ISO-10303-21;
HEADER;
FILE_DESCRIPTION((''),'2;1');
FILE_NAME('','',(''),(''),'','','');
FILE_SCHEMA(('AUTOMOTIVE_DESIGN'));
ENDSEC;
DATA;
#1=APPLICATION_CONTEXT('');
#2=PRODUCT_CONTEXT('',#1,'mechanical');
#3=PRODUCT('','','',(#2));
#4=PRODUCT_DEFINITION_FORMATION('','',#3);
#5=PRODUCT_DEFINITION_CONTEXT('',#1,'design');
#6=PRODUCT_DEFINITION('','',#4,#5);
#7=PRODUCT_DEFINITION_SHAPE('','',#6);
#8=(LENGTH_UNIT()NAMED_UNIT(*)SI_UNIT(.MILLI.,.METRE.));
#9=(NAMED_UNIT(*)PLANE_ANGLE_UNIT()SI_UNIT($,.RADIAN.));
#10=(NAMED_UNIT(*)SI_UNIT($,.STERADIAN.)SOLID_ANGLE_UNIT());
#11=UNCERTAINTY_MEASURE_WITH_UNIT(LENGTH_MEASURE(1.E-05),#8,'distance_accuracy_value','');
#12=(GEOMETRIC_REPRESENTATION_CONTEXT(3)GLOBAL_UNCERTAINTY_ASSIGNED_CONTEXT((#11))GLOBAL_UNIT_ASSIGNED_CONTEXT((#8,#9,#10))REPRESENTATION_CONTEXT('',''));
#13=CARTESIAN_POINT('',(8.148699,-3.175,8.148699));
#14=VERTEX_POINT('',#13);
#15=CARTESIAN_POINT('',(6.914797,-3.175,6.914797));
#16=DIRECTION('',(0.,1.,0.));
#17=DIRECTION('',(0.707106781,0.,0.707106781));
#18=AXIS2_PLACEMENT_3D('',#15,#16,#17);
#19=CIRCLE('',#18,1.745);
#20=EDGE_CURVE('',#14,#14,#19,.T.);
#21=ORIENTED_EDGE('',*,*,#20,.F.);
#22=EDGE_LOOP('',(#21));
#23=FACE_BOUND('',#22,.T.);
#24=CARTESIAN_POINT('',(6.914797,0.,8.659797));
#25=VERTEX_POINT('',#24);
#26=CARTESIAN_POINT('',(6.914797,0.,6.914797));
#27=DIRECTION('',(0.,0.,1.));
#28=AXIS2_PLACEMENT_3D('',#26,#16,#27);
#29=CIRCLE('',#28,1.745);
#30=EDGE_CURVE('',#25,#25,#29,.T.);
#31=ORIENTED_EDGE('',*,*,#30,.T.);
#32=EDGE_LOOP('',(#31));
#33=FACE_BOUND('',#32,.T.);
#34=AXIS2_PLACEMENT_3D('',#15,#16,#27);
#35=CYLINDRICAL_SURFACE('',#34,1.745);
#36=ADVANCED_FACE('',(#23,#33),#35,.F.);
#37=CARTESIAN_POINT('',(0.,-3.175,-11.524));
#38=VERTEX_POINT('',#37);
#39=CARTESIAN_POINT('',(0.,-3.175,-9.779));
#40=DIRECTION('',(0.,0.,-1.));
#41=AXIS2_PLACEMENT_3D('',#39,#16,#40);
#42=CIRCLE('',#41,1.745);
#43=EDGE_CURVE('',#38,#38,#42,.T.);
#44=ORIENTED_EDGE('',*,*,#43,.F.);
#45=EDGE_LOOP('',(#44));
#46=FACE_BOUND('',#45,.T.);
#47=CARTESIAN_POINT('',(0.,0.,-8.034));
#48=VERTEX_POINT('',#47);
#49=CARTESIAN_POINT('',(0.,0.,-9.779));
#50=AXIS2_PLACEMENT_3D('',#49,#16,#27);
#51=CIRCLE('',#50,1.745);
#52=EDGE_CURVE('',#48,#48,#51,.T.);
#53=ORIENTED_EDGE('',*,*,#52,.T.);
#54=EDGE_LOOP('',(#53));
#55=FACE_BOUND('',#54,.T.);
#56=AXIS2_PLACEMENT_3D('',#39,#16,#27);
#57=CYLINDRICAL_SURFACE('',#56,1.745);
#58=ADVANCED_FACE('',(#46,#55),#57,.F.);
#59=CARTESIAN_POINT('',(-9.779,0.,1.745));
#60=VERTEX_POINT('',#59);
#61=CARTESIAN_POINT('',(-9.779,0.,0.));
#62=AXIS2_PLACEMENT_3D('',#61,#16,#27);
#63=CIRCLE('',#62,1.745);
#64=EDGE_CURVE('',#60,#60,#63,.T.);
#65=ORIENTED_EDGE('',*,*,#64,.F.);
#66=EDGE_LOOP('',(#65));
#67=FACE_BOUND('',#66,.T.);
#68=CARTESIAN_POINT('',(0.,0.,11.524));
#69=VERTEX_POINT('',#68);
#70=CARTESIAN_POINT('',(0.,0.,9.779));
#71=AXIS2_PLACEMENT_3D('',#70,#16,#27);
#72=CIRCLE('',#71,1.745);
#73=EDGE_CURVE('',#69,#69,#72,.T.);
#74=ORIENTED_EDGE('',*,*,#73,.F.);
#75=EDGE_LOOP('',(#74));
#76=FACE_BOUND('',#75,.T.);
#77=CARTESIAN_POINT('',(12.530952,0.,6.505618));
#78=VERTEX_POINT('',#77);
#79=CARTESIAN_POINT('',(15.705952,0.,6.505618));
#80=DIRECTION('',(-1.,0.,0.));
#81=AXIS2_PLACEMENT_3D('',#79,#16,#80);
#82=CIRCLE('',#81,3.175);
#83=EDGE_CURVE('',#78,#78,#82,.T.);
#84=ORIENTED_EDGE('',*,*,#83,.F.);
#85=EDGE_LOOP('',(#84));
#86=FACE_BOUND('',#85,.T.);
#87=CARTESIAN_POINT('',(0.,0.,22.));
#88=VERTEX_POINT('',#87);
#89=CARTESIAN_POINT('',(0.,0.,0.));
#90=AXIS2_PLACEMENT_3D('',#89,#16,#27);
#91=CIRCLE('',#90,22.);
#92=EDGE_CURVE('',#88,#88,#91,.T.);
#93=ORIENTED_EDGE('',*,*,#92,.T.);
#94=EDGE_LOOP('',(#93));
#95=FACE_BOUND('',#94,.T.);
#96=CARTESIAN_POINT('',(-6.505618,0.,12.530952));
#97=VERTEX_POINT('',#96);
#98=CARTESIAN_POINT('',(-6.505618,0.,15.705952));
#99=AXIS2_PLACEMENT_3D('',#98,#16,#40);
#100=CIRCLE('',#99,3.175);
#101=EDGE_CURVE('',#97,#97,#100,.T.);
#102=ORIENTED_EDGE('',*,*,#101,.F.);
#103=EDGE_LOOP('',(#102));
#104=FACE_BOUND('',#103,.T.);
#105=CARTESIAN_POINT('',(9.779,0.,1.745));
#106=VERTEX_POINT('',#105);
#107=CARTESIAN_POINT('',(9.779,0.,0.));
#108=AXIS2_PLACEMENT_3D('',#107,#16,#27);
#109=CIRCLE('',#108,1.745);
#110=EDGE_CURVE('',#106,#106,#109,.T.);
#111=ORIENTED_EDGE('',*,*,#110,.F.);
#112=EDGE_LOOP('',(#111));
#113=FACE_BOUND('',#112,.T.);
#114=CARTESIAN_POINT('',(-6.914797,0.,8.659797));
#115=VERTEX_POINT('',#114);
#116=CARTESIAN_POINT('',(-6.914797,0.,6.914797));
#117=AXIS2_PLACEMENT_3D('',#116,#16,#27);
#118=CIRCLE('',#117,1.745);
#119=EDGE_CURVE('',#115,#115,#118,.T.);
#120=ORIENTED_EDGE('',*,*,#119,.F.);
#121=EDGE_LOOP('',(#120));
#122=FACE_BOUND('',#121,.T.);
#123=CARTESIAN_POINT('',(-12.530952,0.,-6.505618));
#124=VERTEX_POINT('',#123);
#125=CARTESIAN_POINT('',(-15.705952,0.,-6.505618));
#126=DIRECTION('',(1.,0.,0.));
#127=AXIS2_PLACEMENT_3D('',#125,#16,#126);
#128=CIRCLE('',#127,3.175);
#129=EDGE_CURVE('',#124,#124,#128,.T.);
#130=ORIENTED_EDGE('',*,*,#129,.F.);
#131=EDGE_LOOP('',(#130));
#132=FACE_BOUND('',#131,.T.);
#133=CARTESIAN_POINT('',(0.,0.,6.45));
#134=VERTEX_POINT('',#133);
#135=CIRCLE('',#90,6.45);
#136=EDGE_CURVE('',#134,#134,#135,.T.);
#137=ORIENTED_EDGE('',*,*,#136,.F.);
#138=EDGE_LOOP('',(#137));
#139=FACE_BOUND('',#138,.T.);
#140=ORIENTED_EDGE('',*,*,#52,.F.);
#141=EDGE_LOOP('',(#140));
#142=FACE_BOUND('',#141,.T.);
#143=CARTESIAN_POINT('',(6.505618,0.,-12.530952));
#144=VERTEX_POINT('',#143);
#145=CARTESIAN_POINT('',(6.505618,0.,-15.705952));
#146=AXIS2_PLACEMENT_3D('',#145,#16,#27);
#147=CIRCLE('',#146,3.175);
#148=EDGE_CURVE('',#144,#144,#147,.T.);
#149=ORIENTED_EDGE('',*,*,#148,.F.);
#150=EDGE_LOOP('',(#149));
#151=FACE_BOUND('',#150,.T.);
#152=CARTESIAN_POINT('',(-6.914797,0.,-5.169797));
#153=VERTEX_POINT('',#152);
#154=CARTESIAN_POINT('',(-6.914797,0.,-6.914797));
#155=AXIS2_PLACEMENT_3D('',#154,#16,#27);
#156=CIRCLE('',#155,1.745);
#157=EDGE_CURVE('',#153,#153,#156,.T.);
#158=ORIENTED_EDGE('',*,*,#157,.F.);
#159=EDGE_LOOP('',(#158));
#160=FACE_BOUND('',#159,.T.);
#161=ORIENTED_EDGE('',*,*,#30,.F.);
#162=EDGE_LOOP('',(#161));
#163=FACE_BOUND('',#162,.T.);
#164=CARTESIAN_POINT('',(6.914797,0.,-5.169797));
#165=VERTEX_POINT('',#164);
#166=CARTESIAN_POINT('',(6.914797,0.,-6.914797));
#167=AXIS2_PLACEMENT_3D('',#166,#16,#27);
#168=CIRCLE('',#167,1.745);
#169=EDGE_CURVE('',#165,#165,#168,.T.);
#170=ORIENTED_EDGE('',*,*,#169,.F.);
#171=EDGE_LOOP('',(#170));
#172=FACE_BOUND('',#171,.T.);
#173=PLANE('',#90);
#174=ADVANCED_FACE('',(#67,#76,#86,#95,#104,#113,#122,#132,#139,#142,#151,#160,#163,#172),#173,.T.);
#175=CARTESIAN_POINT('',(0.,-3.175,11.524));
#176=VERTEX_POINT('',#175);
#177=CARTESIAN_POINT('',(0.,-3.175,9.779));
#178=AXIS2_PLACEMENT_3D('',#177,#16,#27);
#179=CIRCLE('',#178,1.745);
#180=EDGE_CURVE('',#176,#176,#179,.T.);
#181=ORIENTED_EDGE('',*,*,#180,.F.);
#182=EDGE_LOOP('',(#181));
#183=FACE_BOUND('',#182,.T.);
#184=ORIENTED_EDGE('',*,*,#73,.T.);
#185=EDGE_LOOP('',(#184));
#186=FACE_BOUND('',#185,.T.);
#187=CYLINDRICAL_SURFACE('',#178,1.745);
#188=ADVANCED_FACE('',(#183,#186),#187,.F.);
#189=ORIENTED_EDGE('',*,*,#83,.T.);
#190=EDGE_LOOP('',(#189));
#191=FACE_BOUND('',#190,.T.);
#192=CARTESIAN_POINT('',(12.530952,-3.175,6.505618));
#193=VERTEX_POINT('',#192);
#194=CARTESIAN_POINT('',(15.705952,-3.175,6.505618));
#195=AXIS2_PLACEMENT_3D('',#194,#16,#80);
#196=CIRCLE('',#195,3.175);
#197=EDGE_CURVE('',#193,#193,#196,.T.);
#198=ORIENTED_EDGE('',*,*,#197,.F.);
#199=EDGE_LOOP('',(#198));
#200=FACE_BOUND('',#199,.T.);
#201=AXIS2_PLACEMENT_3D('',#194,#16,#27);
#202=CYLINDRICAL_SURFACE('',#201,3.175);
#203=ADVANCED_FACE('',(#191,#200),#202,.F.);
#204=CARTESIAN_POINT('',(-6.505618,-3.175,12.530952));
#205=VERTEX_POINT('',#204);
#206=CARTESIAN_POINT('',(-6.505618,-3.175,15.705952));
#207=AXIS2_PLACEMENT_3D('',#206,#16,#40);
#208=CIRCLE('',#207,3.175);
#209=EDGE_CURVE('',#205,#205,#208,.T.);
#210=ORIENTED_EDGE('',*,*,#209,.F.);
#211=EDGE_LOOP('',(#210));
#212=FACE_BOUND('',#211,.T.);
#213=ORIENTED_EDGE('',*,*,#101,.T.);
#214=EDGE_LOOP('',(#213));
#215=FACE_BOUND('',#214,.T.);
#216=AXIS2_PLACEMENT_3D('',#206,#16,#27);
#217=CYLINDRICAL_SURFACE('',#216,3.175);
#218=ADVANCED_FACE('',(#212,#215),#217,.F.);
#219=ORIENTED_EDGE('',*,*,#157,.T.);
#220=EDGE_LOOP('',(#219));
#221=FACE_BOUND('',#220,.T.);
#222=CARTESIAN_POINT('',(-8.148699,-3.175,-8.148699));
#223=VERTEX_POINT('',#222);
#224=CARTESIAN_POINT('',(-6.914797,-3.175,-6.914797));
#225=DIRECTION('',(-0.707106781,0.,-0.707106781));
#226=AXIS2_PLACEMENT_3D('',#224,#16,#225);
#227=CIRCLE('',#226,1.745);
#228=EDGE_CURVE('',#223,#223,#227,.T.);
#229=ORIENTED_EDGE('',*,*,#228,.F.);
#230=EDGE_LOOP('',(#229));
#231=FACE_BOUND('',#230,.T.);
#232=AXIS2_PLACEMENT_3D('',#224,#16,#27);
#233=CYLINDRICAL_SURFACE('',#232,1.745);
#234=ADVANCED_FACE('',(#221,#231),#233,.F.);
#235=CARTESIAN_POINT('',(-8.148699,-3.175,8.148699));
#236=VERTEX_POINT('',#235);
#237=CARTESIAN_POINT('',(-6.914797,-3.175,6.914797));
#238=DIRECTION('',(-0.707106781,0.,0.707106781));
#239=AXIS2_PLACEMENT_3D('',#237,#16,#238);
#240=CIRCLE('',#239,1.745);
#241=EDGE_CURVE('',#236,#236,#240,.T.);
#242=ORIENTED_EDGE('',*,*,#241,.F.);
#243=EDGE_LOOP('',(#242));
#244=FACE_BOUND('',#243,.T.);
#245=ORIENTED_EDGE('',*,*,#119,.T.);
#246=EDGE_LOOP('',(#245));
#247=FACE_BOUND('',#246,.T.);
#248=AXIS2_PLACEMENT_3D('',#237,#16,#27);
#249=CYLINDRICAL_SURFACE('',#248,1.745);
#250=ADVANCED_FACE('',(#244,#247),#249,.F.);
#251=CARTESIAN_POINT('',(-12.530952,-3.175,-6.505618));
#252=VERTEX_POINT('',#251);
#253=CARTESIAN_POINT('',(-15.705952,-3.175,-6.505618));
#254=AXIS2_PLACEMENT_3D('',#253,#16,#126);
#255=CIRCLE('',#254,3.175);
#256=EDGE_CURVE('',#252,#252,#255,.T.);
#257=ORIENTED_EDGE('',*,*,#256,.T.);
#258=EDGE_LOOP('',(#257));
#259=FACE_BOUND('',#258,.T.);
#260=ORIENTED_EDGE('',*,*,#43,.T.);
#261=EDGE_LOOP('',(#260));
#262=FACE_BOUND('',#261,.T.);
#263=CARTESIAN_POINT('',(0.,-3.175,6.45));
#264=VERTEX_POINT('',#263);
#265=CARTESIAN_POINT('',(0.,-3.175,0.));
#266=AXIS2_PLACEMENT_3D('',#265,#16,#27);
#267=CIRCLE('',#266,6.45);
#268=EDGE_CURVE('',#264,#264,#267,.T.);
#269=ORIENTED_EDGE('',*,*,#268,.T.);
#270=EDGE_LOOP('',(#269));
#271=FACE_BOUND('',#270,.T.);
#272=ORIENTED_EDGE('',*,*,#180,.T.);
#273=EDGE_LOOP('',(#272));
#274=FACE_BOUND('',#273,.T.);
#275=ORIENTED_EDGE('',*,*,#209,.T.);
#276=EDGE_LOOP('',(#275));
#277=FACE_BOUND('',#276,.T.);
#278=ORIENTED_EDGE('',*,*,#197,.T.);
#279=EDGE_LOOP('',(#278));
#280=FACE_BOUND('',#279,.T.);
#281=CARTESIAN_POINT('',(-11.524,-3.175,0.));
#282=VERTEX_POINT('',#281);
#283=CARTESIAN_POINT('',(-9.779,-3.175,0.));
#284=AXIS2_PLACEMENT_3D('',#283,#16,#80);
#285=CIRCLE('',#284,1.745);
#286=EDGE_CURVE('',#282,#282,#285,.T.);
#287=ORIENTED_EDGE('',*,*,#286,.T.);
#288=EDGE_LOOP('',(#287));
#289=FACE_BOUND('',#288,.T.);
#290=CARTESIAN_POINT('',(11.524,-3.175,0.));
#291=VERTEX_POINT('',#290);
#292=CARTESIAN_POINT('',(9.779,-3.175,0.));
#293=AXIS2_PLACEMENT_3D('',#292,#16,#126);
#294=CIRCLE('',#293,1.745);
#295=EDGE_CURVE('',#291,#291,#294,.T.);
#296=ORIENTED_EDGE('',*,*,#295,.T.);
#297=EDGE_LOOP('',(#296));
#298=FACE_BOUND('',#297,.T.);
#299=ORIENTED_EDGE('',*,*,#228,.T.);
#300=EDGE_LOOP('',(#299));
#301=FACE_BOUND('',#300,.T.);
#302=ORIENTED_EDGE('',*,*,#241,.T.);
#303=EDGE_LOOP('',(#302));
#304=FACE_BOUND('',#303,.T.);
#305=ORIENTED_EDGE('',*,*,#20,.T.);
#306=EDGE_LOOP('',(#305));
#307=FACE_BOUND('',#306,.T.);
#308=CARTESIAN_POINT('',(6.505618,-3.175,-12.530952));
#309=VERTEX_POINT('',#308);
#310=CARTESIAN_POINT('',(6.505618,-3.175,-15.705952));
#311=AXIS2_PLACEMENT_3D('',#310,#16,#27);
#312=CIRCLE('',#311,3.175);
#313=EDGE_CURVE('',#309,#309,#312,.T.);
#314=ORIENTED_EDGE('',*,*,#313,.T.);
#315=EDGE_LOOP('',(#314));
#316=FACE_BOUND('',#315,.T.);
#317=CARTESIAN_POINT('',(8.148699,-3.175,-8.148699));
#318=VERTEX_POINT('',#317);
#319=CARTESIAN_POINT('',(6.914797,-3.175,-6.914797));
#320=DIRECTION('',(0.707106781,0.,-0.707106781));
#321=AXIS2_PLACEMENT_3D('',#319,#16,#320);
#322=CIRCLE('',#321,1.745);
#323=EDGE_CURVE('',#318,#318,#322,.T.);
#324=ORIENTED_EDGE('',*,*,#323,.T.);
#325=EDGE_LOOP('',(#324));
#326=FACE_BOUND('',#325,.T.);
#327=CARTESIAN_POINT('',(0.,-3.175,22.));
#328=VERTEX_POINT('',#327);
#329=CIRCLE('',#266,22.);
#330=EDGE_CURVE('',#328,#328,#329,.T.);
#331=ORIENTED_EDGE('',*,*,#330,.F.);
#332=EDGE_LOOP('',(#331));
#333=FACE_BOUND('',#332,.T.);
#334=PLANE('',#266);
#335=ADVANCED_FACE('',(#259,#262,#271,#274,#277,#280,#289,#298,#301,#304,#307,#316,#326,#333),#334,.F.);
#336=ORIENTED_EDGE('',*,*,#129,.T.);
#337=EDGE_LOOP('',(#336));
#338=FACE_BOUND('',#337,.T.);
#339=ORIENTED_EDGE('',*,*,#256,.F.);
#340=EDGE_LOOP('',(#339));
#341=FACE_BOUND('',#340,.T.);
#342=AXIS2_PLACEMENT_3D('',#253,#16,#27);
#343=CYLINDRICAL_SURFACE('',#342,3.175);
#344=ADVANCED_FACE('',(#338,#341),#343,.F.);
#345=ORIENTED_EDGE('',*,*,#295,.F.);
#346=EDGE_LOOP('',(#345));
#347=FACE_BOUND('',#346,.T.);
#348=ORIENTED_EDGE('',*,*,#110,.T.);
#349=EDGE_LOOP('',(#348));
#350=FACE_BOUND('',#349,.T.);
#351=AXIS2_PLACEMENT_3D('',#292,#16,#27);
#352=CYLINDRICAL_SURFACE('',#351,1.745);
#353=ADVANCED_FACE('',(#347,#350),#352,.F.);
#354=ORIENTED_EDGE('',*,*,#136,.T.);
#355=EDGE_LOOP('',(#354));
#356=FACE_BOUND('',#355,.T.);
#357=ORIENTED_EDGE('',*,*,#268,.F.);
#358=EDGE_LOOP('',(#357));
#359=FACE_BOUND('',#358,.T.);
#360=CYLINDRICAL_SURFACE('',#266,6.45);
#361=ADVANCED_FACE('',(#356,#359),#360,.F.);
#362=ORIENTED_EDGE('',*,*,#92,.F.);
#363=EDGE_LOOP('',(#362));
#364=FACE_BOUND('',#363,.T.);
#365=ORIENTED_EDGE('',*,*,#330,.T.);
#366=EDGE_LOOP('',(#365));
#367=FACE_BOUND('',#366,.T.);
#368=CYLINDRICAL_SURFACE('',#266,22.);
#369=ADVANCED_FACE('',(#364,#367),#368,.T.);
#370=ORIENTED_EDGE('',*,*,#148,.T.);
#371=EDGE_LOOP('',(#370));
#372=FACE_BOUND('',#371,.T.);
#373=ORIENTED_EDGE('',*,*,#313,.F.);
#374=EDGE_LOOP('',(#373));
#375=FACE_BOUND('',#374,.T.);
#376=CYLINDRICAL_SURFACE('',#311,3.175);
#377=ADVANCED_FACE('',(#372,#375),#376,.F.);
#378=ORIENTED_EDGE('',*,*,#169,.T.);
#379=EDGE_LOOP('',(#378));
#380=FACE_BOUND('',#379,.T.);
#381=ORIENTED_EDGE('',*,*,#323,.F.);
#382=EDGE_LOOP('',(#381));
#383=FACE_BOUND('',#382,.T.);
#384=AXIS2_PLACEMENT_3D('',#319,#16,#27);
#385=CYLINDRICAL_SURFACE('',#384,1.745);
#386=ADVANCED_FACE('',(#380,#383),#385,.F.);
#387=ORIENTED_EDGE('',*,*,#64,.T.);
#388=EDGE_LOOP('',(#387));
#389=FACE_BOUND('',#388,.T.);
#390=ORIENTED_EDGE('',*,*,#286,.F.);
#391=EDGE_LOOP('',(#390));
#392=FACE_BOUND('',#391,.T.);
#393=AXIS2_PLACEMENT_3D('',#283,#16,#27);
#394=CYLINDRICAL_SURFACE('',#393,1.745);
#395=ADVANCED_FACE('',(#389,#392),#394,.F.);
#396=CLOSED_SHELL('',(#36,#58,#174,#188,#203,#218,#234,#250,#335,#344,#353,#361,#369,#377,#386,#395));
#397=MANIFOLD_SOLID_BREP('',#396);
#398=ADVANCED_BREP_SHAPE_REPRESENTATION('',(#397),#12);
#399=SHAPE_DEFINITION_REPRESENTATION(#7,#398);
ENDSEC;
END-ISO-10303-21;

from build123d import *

# Parameters (mm, degrees)
SKETCH1_R           = 22
BOSS_EXTRUDE1_DEPTH = 3.175
SKETCH4_R           = 1.745
CUT_EXTRUDE2_DEPTH  = 32.274280567
SKETCH2_R           = 6.45
CUT_EXTRUDE4_DEPTH  = 32.274280567
CIRPATTERN1_COUNT   = 8
SKETCH5_R           = 3.175
CUT_EXTRUDE5_DEPTH  = 32.274280567
CIRPATTERN2_COUNT   = 4


with BuildPart() as part:
    # Sketch1 → Boss-Extrude1 (new body)
    with BuildSketch(Plane(origin=(0, 0, 0), x_dir=(1, 0, 0), z_dir=(0, 1, 0))):
        with Locations(Location((0, 0, 0), (0, 0, 270))):
            Circle(SKETCH1_R)
    extrude(amount=-BOSS_EXTRUDE1_DEPTH)

    # Sketch4 → Cut-Extrude2 (cut, symmetric)
    with BuildSketch(Plane(origin=(0, 0, 0), x_dir=(1, 0, 0), z_dir=(0, 1, 0))):
        with Locations(Location((0, -9.779, 0), (0, 0, 270))):
            Circle(SKETCH4_R)
    cut_extrude2 = extrude(amount=CUT_EXTRUDE2_DEPTH, both=True, mode=Mode.SUBTRACT)

    # Sketch2 → Cut-Extrude4 (cut, through all)
    with BuildSketch(Plane(origin=(0, 0, 0), x_dir=(1, 0, 0), z_dir=(0, 1, 0))):
        with Locations(Location((0, 0, 0), (0, 0, 270))):
            Circle(SKETCH2_R)
    extrude(amount=-CUT_EXTRUDE4_DEPTH, mode=Mode.SUBTRACT)

    # CirPattern1: Cut-Extrude2 ×8 about axis
    cirpattern1_axis = Axis((0, 0, 0), (0, 1, 0))
    for i in range(1, CIRPATTERN1_COUNT):
        add(cut_extrude2.rotate(cirpattern1_axis, i * 360 / CIRPATTERN1_COUNT), mode=Mode.SUBTRACT)

    # Sketch5 → Cut-Extrude5 (cut, through all)
    with BuildSketch(Plane(origin=(0, 0, 0), x_dir=(1, 0, 0), z_dir=(0, 1, 0))):
        with Locations(Location((6.50561835, 15.705952053, 0), (0, 0, 270))):
            Circle(SKETCH5_R)
    cut_extrude5 = extrude(amount=-CUT_EXTRUDE5_DEPTH, mode=Mode.SUBTRACT)

    # CirPattern2: Cut-Extrude5 ×4 about axis
    cirpattern2_axis = Axis((0, 0, 0), (0, 1, 0))
    for i in range(1, CIRPATTERN2_COUNT):
        add(cut_extrude5.rotate(cirpattern2_axis, i * 360 / CIRPATTERN2_COUNT), mode=Mode.SUBTRACT)


solid = part.part
